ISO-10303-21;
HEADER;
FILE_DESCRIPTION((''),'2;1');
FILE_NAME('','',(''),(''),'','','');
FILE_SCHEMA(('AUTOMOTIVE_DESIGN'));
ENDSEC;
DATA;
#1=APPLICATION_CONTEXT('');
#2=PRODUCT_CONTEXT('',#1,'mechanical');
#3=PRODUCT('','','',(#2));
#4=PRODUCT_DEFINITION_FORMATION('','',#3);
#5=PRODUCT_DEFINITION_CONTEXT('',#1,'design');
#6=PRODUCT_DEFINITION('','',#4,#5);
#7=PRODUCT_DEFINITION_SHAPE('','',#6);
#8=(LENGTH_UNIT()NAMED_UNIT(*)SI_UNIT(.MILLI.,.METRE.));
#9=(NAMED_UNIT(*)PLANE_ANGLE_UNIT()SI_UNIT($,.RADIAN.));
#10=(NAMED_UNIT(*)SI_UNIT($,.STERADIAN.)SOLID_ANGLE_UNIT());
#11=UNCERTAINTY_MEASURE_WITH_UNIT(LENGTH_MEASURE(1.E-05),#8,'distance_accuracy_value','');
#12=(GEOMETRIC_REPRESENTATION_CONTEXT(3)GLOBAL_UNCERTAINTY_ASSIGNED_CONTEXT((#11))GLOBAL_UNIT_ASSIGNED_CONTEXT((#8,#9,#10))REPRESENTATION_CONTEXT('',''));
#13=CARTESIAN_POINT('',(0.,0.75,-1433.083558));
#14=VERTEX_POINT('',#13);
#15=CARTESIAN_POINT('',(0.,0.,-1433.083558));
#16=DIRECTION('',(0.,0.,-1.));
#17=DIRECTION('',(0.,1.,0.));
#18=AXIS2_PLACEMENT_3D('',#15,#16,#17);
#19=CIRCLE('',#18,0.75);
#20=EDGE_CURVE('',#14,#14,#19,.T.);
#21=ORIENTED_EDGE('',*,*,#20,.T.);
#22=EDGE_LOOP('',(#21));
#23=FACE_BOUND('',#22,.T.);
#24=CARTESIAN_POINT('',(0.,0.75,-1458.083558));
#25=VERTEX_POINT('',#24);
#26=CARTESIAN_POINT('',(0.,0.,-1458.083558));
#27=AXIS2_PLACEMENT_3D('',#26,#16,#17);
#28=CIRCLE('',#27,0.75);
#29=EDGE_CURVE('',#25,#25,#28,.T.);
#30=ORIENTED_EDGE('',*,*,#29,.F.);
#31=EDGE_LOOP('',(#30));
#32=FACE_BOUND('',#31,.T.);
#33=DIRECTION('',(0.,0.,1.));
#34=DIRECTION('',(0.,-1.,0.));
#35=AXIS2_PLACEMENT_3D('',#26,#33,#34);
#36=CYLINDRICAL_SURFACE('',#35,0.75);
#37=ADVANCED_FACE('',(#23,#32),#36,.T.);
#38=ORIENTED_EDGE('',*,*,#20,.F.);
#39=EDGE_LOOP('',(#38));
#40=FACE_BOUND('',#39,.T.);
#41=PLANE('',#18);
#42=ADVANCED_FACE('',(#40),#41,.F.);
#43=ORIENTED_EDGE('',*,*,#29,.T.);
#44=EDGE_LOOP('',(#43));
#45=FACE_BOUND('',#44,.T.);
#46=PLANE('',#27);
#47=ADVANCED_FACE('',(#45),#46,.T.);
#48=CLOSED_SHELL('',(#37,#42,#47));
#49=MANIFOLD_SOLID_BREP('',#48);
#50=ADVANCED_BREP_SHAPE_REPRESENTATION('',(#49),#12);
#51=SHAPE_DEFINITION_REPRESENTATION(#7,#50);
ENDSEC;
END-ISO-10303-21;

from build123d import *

# Parameters (mm, degrees)
SKETCH2_R           = 0.75
BOSS_EXTRUDE2_DEPTH = 25


with BuildPart() as part:
    # Sketch2 → Boss-Extrude2 (new body)
    with BuildSketch(Plane(origin=(0, 0, -1433.083557664), x_dir=(-1, 0, 0), z_dir=(0, 0, -1))):
        with Locations(Location((0, 0, 0), (0, 0, 90))):
            Circle(SKETCH2_R)
    extrude(amount=BOSS_EXTRUDE2_DEPTH)


solid = part.part
